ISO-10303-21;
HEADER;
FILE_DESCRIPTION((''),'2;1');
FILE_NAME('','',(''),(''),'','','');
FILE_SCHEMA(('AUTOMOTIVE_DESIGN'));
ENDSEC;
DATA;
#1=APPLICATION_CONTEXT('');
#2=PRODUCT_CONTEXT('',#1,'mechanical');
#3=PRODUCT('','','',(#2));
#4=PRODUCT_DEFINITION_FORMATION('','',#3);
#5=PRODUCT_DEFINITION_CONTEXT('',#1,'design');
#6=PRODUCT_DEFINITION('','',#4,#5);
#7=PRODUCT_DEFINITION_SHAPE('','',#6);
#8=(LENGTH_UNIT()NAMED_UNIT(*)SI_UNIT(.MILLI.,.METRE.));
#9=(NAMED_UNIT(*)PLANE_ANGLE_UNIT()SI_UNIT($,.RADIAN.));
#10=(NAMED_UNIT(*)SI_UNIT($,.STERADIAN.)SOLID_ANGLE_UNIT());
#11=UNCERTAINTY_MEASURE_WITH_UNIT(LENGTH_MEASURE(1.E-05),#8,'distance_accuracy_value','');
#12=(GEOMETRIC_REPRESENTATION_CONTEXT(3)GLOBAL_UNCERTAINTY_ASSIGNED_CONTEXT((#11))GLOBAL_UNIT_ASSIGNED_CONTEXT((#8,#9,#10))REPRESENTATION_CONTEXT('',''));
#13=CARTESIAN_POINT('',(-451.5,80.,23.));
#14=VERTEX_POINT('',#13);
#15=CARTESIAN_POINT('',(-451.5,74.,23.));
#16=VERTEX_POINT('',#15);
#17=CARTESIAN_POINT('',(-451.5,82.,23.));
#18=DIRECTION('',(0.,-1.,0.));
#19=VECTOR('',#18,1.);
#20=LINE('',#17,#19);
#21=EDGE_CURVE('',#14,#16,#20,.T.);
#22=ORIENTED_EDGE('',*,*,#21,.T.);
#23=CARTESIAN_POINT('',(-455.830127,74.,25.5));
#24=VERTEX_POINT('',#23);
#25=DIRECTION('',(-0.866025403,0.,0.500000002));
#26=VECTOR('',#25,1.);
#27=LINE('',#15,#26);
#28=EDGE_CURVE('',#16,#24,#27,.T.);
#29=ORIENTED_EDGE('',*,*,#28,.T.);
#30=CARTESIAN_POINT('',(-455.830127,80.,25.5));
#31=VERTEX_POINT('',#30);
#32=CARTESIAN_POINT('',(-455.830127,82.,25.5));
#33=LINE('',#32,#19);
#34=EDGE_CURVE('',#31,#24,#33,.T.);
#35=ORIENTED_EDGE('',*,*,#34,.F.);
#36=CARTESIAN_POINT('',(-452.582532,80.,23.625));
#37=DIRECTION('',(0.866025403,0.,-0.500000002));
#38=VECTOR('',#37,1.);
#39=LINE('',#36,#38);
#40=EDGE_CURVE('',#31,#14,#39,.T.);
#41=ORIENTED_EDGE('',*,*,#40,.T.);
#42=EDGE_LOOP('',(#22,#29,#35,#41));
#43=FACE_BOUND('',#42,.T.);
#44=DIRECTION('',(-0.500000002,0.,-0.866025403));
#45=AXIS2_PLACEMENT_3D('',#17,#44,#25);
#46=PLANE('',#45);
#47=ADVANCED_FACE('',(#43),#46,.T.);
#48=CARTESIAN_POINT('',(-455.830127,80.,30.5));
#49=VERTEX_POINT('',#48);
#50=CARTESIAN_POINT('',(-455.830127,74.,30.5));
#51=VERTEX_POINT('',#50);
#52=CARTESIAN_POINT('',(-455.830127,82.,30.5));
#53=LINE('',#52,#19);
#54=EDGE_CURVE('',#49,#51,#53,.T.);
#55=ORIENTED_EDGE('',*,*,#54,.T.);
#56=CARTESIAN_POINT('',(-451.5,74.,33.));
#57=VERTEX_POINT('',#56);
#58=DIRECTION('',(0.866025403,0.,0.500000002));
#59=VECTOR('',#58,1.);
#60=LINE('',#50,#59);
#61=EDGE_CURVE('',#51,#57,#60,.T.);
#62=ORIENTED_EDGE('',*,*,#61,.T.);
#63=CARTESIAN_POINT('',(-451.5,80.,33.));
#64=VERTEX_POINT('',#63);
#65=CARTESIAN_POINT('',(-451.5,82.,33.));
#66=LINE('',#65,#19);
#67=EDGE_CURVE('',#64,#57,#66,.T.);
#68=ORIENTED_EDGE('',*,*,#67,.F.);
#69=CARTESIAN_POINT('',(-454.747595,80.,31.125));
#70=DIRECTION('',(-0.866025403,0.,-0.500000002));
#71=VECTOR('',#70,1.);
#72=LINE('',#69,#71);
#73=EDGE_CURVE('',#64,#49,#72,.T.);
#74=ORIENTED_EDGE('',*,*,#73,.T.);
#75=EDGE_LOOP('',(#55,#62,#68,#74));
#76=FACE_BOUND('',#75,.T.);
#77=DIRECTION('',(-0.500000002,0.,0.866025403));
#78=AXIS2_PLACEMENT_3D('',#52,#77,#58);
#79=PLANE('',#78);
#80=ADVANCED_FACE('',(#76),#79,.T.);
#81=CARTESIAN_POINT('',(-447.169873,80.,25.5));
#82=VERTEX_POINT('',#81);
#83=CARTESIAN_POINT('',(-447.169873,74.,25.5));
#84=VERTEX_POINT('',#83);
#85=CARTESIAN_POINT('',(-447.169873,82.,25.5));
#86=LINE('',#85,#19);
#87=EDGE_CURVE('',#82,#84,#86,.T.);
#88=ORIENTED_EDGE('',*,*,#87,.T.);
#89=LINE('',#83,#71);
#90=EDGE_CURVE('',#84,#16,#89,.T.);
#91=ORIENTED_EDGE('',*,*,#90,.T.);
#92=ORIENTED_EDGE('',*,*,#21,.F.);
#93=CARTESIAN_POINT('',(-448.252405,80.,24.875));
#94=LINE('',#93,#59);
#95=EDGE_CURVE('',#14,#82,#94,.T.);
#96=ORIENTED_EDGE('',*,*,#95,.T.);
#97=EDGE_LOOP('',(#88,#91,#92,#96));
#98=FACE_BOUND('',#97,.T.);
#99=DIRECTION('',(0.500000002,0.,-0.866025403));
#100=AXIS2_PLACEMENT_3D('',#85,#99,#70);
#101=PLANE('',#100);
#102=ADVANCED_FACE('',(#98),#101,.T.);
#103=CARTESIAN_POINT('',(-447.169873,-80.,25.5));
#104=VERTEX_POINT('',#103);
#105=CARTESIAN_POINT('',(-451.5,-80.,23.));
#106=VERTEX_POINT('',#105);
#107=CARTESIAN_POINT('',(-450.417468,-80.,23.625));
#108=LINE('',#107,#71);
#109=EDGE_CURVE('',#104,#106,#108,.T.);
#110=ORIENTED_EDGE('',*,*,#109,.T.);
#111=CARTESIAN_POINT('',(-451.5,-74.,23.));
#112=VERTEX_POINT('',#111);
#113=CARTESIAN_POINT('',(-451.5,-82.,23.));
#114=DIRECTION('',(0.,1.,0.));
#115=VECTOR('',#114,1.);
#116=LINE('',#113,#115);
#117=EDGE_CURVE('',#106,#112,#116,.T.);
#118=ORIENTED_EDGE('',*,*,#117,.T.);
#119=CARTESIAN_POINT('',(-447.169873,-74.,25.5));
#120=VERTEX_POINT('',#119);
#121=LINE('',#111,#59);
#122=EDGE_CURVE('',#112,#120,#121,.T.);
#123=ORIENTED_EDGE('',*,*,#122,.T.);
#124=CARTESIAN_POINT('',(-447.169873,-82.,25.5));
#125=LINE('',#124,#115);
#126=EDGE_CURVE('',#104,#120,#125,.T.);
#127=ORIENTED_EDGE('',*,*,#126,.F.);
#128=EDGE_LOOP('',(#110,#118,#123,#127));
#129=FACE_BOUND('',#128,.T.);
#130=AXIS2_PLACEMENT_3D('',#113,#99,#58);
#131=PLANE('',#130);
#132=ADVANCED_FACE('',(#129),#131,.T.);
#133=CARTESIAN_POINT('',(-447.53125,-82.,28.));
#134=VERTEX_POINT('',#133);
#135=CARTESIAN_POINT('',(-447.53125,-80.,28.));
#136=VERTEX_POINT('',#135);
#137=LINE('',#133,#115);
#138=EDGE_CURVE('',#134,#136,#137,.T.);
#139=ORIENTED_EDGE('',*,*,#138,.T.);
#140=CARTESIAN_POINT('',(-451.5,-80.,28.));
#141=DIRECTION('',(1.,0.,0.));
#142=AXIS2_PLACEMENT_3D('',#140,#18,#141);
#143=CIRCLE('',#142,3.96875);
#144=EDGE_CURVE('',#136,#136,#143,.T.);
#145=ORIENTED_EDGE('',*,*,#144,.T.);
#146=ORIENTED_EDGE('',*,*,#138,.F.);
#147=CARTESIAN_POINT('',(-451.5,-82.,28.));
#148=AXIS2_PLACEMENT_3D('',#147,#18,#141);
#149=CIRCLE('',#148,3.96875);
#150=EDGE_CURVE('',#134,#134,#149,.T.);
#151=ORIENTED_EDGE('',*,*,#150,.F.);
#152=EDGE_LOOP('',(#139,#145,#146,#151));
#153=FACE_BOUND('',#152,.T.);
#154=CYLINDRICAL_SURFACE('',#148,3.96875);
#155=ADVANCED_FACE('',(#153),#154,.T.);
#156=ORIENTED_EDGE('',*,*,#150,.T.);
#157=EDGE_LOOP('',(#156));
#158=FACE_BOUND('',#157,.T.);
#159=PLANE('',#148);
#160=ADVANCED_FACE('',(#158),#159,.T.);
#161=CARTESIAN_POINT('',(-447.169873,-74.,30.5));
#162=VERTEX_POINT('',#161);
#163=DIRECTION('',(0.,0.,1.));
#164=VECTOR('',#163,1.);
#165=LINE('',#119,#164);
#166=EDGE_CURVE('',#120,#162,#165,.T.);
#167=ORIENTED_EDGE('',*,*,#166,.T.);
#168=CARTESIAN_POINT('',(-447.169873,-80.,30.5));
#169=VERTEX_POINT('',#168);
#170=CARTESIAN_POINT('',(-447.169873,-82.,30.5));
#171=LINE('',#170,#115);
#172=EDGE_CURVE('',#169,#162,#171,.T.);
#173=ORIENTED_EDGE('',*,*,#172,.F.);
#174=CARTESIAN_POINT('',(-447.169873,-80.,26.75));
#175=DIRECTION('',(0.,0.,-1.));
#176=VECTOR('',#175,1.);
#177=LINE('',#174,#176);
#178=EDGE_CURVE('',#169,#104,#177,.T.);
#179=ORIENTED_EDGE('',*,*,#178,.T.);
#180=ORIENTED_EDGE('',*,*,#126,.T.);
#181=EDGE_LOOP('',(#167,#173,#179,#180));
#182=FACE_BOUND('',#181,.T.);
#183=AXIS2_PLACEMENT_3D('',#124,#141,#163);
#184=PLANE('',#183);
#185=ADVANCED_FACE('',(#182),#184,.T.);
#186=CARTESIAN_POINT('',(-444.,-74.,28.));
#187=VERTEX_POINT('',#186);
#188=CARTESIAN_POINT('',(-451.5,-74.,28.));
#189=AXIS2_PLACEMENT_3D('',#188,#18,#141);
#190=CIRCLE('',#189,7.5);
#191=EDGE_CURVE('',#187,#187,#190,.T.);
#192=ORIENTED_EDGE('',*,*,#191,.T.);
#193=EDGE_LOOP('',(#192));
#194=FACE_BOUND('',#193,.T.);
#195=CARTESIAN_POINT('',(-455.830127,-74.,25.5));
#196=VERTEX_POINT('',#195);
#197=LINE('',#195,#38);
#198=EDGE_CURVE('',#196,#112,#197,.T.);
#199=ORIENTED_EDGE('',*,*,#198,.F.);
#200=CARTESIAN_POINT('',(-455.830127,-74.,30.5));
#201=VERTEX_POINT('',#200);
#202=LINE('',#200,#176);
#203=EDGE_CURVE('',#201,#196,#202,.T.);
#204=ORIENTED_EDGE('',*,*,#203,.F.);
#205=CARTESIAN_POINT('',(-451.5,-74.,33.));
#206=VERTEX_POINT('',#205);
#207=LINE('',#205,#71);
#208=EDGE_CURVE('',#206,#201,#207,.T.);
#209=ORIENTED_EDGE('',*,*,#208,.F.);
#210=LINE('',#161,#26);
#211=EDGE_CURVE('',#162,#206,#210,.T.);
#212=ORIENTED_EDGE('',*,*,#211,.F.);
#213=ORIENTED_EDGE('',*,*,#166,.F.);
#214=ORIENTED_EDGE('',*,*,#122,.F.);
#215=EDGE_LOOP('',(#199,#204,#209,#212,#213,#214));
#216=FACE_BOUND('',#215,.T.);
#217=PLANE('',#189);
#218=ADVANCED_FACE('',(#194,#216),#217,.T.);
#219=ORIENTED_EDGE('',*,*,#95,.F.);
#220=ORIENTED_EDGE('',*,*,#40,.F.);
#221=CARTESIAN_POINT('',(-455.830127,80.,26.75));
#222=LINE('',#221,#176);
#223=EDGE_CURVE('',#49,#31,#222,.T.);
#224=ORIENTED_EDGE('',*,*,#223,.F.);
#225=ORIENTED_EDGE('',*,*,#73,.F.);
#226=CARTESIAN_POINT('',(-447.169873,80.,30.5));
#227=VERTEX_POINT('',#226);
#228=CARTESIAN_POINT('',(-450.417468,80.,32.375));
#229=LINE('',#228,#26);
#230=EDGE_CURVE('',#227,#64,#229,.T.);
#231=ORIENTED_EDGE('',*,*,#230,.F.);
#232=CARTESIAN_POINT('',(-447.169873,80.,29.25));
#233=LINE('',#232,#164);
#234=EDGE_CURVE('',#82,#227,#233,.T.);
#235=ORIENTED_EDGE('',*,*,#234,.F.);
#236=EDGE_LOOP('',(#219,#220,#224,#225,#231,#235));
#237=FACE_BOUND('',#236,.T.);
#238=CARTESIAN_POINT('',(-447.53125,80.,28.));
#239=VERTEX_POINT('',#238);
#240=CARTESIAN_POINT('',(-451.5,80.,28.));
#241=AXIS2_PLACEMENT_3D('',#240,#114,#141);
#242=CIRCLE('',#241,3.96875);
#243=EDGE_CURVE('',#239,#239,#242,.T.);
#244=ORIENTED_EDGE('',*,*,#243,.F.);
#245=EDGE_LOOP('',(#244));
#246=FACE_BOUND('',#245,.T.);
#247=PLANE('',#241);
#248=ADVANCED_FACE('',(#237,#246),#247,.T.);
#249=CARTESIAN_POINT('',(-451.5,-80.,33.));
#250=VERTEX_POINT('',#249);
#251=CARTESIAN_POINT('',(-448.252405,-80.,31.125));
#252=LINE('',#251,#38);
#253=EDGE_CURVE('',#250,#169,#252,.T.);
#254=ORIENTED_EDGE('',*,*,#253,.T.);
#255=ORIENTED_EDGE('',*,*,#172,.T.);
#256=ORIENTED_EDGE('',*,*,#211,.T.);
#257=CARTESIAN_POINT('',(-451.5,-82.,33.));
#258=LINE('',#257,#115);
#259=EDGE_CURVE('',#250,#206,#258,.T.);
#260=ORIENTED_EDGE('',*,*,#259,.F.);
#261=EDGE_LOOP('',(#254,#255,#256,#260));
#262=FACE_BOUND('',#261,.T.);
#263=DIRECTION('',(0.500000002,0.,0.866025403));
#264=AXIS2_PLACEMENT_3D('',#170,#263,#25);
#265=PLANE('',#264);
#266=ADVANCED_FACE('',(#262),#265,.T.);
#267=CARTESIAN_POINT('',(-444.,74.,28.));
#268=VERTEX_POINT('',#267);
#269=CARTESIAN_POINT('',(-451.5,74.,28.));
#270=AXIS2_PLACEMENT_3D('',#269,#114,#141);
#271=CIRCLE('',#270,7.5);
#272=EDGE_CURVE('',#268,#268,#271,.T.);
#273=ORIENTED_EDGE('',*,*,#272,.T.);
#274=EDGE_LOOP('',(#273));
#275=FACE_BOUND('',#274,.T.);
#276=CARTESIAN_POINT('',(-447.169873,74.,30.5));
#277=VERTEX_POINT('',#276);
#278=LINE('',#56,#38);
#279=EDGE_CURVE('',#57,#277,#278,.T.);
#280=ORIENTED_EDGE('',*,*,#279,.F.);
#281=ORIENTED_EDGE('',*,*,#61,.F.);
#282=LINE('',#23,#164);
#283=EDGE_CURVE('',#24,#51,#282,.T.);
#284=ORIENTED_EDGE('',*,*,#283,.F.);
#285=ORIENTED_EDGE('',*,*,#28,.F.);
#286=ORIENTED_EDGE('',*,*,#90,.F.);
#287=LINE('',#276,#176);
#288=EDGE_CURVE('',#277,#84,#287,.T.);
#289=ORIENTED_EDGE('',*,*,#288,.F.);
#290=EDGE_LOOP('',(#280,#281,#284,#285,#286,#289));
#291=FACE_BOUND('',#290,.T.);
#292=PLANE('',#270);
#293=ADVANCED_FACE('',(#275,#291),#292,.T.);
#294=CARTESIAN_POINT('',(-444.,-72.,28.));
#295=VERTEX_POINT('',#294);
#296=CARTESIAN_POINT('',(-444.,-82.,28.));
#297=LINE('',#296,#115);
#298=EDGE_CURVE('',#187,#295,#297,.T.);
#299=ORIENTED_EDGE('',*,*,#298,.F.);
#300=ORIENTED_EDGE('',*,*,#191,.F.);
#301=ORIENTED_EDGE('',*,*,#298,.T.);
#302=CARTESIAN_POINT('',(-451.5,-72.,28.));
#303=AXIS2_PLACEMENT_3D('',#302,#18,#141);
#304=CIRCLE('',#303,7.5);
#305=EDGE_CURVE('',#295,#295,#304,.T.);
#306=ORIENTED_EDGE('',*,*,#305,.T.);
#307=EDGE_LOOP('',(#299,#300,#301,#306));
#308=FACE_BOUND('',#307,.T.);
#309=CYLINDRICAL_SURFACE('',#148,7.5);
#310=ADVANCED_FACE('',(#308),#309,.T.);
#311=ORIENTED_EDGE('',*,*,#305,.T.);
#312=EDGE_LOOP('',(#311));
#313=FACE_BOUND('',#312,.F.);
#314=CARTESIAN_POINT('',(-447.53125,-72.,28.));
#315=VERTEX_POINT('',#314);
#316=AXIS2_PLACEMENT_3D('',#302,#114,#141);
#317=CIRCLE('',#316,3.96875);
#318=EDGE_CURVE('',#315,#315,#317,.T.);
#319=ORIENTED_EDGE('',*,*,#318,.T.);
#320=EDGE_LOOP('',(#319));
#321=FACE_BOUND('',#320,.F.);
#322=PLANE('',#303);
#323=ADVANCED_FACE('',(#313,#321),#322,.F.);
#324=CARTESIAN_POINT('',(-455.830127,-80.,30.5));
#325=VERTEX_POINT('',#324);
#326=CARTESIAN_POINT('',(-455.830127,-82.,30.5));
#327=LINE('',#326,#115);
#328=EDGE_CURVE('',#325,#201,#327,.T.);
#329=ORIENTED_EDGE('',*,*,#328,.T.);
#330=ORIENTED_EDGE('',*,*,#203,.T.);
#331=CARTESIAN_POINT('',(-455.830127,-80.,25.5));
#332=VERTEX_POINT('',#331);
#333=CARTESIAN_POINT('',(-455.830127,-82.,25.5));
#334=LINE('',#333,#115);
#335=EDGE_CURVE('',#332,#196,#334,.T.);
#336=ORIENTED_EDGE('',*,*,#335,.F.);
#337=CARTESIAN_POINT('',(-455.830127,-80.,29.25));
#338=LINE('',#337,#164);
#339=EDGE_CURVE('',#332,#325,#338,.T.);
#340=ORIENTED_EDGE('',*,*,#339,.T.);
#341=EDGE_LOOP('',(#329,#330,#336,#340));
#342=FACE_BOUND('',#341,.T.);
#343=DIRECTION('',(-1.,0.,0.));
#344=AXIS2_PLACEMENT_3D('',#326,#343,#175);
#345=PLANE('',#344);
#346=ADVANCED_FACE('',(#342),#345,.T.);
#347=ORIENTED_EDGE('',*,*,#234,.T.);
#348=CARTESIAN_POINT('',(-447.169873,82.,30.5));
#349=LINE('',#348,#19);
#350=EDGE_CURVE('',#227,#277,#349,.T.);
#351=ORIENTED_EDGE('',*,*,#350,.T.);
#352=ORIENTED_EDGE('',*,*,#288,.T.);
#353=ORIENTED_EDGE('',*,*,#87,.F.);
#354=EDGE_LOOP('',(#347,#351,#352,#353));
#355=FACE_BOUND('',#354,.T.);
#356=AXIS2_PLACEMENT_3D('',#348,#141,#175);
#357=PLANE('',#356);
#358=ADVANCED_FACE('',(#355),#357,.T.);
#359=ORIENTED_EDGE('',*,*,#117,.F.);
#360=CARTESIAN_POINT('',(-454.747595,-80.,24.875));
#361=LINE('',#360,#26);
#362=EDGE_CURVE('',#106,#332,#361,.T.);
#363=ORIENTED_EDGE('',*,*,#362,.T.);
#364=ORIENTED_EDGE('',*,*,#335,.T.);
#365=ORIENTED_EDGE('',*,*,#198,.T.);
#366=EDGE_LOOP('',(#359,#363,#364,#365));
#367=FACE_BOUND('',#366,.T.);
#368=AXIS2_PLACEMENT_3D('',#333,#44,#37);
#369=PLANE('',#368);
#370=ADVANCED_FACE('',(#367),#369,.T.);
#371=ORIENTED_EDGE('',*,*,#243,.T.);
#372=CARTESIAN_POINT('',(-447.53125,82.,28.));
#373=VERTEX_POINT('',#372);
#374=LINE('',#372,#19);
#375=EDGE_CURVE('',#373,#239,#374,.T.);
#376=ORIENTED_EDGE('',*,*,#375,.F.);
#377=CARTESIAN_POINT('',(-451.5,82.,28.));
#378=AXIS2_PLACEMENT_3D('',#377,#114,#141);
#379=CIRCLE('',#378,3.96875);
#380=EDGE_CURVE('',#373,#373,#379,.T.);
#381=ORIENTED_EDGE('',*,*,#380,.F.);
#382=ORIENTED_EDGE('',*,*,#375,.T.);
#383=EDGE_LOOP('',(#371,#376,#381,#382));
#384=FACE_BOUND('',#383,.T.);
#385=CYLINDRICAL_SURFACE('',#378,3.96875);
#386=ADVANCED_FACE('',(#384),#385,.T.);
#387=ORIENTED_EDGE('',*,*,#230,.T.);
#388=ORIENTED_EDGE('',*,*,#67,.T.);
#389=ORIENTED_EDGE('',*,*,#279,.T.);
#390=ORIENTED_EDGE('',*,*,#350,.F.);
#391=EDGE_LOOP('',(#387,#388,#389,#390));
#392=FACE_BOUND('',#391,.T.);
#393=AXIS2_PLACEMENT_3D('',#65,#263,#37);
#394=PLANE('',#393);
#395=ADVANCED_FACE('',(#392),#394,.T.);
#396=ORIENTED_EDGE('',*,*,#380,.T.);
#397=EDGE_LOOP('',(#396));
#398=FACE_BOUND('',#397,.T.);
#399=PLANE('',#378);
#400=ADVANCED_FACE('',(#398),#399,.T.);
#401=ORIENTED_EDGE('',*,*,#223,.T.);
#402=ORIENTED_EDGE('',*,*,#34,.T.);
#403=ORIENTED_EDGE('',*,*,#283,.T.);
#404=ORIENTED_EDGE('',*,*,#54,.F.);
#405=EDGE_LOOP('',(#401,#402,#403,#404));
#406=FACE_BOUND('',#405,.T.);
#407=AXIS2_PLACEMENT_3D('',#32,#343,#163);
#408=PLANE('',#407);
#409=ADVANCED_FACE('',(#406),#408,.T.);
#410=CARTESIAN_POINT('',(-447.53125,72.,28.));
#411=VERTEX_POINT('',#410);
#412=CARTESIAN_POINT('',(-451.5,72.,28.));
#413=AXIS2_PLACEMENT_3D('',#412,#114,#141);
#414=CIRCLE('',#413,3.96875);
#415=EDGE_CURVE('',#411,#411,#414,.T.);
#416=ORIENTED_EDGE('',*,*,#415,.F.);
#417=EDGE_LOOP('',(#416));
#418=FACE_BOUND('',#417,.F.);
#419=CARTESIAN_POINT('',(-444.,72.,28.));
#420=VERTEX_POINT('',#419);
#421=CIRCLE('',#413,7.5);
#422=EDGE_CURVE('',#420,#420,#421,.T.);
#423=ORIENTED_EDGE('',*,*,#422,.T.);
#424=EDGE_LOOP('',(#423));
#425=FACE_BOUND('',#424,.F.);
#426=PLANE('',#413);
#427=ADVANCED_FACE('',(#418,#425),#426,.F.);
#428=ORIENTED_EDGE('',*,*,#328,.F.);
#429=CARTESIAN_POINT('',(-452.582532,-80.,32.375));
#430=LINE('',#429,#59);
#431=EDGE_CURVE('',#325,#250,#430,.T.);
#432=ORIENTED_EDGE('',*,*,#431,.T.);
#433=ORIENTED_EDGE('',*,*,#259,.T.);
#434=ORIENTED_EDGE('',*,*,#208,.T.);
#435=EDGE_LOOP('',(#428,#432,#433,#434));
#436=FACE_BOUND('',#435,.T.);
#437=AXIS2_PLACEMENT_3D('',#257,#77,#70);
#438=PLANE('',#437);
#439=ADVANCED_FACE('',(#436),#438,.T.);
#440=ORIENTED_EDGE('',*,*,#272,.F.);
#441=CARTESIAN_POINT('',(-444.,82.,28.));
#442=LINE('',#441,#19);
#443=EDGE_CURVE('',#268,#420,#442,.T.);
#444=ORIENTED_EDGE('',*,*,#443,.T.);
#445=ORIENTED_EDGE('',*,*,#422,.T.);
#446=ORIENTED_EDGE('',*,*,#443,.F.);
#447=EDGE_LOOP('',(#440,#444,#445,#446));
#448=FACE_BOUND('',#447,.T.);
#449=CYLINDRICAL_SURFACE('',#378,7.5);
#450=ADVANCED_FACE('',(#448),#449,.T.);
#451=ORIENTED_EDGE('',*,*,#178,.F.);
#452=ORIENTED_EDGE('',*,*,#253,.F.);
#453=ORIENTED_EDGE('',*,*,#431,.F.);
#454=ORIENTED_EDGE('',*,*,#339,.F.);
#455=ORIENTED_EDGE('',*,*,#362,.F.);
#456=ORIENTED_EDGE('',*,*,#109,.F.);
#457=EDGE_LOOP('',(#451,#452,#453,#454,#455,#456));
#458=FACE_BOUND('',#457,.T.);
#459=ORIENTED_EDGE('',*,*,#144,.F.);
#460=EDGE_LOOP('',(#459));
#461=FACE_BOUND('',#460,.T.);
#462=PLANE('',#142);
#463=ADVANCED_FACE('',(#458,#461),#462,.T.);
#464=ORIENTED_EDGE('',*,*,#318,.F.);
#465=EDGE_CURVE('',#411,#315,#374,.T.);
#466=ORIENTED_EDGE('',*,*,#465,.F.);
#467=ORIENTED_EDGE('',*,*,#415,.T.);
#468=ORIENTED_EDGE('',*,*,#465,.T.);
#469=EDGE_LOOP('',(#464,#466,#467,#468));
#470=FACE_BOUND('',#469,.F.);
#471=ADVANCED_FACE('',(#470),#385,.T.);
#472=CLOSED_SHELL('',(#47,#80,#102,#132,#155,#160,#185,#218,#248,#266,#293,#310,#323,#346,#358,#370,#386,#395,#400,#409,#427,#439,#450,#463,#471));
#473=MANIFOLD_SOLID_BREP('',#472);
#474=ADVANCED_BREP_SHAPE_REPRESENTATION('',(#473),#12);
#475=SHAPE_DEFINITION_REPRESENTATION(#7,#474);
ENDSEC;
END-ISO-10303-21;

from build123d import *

# Parameters (mm, degrees)
SKETCH013_R     = 3.96875
PAD009_DEPTH    = 164
SKETCH014_R     = 7.5
PAD010_DEPTH    = 10
SKETCH015_R     = 7.5
POCKET003_DEPTH = 8
SKETCH016_R     = 7.5
SKETCH016_R_2   = 3.96875
POCKET004_DEPTH = 2
SKETCH017_R     = 7.5
PAD011_DEPTH    = 10
SKETCH018_R     = 7.5
POCKET005_DEPTH = 8
SKETCH019_R     = 7.5
SKETCH019_R_2   = 3.96875
POCKET006_DEPTH = 2


with BuildPart() as part:
    # Sketch013 → Pad009 (new body)
    with BuildSketch(Plane(origin=(500, 82, 56), x_dir=(1, 0, 0), z_dir=(0, -1, 0))):
        Circle(SKETCH013_R)
    extrude(amount=PAD009_DEPTH)

    # Sketch014 → Pad010 (new body)
    with BuildSketch(Plane(origin=(500, 82, 56), x_dir=(1, 0, 0), z_dir=(0, 1, 0))):
        Circle(SKETCH014_R)
    extrude(amount=-PAD010_DEPTH)

    # Sketch015 → Pocket003 (cut)
    with BuildSketch(Plane(origin=(500, 82, 56), x_dir=(1, 0, 0), z_dir=(0, 1, 0))):
        Circle(SKETCH015_R)
        Polygon((0, 5), (-4.330127, 2.5), (-4.330127, -2.5), (0, -5), (4.330127, -2.5), (4.330127, 2.5), align=None, mode=Mode.SUBTRACT)
    extrude(amount=-POCKET003_DEPTH, mode=Mode.SUBTRACT)

    # Sketch016 → Pocket004 (cut)
    with BuildSketch(Plane(origin=(500, 82, 56), x_dir=(1, 0, 0), z_dir=(0, 1, 0))):
        Circle(SKETCH016_R)
        Circle(SKETCH016_R_2, mode=Mode.SUBTRACT)
    extrude(amount=-POCKET004_DEPTH, mode=Mode.SUBTRACT)

    # Sketch017 → Pad011 (new body)
    with BuildSketch(Plane(origin=(500, -82, 56), x_dir=(1, 0, 0), z_dir=(0, -1, 0))):
        Circle(SKETCH017_R)
    extrude(amount=-PAD011_DEPTH)

    # Sketch018 → Pocket005 (cut)
    with BuildSketch(Plane(origin=(500, -82, 56), x_dir=(1, 0, 0), z_dir=(0, -1, 0))):
        Circle(SKETCH018_R)
        Polygon((0, 5), (-4.330127, 2.5), (-4.330127, -2.5), (0, -5), (4.330127, -2.5), (4.330127, 2.5), align=None, mode=Mode.SUBTRACT)
    extrude(amount=-POCKET005_DEPTH, mode=Mode.SUBTRACT)

    # Sketch019 → Pocket006 (cut)
    with BuildSketch(Plane(origin=(500, -82, 56), x_dir=(1, 0, 0), z_dir=(0, -1, 0))):
        Circle(SKETCH019_R)
        Circle(SKETCH019_R_2, mode=Mode.SUBTRACT)
    extrude(amount=-POCKET006_DEPTH, mode=Mode.SUBTRACT)


with BuildPart() as part_1:
    # Clone018 placement: moved
    add(part.part.moved(Location((-951.5, 0, -28))))


solid = part_1.part
